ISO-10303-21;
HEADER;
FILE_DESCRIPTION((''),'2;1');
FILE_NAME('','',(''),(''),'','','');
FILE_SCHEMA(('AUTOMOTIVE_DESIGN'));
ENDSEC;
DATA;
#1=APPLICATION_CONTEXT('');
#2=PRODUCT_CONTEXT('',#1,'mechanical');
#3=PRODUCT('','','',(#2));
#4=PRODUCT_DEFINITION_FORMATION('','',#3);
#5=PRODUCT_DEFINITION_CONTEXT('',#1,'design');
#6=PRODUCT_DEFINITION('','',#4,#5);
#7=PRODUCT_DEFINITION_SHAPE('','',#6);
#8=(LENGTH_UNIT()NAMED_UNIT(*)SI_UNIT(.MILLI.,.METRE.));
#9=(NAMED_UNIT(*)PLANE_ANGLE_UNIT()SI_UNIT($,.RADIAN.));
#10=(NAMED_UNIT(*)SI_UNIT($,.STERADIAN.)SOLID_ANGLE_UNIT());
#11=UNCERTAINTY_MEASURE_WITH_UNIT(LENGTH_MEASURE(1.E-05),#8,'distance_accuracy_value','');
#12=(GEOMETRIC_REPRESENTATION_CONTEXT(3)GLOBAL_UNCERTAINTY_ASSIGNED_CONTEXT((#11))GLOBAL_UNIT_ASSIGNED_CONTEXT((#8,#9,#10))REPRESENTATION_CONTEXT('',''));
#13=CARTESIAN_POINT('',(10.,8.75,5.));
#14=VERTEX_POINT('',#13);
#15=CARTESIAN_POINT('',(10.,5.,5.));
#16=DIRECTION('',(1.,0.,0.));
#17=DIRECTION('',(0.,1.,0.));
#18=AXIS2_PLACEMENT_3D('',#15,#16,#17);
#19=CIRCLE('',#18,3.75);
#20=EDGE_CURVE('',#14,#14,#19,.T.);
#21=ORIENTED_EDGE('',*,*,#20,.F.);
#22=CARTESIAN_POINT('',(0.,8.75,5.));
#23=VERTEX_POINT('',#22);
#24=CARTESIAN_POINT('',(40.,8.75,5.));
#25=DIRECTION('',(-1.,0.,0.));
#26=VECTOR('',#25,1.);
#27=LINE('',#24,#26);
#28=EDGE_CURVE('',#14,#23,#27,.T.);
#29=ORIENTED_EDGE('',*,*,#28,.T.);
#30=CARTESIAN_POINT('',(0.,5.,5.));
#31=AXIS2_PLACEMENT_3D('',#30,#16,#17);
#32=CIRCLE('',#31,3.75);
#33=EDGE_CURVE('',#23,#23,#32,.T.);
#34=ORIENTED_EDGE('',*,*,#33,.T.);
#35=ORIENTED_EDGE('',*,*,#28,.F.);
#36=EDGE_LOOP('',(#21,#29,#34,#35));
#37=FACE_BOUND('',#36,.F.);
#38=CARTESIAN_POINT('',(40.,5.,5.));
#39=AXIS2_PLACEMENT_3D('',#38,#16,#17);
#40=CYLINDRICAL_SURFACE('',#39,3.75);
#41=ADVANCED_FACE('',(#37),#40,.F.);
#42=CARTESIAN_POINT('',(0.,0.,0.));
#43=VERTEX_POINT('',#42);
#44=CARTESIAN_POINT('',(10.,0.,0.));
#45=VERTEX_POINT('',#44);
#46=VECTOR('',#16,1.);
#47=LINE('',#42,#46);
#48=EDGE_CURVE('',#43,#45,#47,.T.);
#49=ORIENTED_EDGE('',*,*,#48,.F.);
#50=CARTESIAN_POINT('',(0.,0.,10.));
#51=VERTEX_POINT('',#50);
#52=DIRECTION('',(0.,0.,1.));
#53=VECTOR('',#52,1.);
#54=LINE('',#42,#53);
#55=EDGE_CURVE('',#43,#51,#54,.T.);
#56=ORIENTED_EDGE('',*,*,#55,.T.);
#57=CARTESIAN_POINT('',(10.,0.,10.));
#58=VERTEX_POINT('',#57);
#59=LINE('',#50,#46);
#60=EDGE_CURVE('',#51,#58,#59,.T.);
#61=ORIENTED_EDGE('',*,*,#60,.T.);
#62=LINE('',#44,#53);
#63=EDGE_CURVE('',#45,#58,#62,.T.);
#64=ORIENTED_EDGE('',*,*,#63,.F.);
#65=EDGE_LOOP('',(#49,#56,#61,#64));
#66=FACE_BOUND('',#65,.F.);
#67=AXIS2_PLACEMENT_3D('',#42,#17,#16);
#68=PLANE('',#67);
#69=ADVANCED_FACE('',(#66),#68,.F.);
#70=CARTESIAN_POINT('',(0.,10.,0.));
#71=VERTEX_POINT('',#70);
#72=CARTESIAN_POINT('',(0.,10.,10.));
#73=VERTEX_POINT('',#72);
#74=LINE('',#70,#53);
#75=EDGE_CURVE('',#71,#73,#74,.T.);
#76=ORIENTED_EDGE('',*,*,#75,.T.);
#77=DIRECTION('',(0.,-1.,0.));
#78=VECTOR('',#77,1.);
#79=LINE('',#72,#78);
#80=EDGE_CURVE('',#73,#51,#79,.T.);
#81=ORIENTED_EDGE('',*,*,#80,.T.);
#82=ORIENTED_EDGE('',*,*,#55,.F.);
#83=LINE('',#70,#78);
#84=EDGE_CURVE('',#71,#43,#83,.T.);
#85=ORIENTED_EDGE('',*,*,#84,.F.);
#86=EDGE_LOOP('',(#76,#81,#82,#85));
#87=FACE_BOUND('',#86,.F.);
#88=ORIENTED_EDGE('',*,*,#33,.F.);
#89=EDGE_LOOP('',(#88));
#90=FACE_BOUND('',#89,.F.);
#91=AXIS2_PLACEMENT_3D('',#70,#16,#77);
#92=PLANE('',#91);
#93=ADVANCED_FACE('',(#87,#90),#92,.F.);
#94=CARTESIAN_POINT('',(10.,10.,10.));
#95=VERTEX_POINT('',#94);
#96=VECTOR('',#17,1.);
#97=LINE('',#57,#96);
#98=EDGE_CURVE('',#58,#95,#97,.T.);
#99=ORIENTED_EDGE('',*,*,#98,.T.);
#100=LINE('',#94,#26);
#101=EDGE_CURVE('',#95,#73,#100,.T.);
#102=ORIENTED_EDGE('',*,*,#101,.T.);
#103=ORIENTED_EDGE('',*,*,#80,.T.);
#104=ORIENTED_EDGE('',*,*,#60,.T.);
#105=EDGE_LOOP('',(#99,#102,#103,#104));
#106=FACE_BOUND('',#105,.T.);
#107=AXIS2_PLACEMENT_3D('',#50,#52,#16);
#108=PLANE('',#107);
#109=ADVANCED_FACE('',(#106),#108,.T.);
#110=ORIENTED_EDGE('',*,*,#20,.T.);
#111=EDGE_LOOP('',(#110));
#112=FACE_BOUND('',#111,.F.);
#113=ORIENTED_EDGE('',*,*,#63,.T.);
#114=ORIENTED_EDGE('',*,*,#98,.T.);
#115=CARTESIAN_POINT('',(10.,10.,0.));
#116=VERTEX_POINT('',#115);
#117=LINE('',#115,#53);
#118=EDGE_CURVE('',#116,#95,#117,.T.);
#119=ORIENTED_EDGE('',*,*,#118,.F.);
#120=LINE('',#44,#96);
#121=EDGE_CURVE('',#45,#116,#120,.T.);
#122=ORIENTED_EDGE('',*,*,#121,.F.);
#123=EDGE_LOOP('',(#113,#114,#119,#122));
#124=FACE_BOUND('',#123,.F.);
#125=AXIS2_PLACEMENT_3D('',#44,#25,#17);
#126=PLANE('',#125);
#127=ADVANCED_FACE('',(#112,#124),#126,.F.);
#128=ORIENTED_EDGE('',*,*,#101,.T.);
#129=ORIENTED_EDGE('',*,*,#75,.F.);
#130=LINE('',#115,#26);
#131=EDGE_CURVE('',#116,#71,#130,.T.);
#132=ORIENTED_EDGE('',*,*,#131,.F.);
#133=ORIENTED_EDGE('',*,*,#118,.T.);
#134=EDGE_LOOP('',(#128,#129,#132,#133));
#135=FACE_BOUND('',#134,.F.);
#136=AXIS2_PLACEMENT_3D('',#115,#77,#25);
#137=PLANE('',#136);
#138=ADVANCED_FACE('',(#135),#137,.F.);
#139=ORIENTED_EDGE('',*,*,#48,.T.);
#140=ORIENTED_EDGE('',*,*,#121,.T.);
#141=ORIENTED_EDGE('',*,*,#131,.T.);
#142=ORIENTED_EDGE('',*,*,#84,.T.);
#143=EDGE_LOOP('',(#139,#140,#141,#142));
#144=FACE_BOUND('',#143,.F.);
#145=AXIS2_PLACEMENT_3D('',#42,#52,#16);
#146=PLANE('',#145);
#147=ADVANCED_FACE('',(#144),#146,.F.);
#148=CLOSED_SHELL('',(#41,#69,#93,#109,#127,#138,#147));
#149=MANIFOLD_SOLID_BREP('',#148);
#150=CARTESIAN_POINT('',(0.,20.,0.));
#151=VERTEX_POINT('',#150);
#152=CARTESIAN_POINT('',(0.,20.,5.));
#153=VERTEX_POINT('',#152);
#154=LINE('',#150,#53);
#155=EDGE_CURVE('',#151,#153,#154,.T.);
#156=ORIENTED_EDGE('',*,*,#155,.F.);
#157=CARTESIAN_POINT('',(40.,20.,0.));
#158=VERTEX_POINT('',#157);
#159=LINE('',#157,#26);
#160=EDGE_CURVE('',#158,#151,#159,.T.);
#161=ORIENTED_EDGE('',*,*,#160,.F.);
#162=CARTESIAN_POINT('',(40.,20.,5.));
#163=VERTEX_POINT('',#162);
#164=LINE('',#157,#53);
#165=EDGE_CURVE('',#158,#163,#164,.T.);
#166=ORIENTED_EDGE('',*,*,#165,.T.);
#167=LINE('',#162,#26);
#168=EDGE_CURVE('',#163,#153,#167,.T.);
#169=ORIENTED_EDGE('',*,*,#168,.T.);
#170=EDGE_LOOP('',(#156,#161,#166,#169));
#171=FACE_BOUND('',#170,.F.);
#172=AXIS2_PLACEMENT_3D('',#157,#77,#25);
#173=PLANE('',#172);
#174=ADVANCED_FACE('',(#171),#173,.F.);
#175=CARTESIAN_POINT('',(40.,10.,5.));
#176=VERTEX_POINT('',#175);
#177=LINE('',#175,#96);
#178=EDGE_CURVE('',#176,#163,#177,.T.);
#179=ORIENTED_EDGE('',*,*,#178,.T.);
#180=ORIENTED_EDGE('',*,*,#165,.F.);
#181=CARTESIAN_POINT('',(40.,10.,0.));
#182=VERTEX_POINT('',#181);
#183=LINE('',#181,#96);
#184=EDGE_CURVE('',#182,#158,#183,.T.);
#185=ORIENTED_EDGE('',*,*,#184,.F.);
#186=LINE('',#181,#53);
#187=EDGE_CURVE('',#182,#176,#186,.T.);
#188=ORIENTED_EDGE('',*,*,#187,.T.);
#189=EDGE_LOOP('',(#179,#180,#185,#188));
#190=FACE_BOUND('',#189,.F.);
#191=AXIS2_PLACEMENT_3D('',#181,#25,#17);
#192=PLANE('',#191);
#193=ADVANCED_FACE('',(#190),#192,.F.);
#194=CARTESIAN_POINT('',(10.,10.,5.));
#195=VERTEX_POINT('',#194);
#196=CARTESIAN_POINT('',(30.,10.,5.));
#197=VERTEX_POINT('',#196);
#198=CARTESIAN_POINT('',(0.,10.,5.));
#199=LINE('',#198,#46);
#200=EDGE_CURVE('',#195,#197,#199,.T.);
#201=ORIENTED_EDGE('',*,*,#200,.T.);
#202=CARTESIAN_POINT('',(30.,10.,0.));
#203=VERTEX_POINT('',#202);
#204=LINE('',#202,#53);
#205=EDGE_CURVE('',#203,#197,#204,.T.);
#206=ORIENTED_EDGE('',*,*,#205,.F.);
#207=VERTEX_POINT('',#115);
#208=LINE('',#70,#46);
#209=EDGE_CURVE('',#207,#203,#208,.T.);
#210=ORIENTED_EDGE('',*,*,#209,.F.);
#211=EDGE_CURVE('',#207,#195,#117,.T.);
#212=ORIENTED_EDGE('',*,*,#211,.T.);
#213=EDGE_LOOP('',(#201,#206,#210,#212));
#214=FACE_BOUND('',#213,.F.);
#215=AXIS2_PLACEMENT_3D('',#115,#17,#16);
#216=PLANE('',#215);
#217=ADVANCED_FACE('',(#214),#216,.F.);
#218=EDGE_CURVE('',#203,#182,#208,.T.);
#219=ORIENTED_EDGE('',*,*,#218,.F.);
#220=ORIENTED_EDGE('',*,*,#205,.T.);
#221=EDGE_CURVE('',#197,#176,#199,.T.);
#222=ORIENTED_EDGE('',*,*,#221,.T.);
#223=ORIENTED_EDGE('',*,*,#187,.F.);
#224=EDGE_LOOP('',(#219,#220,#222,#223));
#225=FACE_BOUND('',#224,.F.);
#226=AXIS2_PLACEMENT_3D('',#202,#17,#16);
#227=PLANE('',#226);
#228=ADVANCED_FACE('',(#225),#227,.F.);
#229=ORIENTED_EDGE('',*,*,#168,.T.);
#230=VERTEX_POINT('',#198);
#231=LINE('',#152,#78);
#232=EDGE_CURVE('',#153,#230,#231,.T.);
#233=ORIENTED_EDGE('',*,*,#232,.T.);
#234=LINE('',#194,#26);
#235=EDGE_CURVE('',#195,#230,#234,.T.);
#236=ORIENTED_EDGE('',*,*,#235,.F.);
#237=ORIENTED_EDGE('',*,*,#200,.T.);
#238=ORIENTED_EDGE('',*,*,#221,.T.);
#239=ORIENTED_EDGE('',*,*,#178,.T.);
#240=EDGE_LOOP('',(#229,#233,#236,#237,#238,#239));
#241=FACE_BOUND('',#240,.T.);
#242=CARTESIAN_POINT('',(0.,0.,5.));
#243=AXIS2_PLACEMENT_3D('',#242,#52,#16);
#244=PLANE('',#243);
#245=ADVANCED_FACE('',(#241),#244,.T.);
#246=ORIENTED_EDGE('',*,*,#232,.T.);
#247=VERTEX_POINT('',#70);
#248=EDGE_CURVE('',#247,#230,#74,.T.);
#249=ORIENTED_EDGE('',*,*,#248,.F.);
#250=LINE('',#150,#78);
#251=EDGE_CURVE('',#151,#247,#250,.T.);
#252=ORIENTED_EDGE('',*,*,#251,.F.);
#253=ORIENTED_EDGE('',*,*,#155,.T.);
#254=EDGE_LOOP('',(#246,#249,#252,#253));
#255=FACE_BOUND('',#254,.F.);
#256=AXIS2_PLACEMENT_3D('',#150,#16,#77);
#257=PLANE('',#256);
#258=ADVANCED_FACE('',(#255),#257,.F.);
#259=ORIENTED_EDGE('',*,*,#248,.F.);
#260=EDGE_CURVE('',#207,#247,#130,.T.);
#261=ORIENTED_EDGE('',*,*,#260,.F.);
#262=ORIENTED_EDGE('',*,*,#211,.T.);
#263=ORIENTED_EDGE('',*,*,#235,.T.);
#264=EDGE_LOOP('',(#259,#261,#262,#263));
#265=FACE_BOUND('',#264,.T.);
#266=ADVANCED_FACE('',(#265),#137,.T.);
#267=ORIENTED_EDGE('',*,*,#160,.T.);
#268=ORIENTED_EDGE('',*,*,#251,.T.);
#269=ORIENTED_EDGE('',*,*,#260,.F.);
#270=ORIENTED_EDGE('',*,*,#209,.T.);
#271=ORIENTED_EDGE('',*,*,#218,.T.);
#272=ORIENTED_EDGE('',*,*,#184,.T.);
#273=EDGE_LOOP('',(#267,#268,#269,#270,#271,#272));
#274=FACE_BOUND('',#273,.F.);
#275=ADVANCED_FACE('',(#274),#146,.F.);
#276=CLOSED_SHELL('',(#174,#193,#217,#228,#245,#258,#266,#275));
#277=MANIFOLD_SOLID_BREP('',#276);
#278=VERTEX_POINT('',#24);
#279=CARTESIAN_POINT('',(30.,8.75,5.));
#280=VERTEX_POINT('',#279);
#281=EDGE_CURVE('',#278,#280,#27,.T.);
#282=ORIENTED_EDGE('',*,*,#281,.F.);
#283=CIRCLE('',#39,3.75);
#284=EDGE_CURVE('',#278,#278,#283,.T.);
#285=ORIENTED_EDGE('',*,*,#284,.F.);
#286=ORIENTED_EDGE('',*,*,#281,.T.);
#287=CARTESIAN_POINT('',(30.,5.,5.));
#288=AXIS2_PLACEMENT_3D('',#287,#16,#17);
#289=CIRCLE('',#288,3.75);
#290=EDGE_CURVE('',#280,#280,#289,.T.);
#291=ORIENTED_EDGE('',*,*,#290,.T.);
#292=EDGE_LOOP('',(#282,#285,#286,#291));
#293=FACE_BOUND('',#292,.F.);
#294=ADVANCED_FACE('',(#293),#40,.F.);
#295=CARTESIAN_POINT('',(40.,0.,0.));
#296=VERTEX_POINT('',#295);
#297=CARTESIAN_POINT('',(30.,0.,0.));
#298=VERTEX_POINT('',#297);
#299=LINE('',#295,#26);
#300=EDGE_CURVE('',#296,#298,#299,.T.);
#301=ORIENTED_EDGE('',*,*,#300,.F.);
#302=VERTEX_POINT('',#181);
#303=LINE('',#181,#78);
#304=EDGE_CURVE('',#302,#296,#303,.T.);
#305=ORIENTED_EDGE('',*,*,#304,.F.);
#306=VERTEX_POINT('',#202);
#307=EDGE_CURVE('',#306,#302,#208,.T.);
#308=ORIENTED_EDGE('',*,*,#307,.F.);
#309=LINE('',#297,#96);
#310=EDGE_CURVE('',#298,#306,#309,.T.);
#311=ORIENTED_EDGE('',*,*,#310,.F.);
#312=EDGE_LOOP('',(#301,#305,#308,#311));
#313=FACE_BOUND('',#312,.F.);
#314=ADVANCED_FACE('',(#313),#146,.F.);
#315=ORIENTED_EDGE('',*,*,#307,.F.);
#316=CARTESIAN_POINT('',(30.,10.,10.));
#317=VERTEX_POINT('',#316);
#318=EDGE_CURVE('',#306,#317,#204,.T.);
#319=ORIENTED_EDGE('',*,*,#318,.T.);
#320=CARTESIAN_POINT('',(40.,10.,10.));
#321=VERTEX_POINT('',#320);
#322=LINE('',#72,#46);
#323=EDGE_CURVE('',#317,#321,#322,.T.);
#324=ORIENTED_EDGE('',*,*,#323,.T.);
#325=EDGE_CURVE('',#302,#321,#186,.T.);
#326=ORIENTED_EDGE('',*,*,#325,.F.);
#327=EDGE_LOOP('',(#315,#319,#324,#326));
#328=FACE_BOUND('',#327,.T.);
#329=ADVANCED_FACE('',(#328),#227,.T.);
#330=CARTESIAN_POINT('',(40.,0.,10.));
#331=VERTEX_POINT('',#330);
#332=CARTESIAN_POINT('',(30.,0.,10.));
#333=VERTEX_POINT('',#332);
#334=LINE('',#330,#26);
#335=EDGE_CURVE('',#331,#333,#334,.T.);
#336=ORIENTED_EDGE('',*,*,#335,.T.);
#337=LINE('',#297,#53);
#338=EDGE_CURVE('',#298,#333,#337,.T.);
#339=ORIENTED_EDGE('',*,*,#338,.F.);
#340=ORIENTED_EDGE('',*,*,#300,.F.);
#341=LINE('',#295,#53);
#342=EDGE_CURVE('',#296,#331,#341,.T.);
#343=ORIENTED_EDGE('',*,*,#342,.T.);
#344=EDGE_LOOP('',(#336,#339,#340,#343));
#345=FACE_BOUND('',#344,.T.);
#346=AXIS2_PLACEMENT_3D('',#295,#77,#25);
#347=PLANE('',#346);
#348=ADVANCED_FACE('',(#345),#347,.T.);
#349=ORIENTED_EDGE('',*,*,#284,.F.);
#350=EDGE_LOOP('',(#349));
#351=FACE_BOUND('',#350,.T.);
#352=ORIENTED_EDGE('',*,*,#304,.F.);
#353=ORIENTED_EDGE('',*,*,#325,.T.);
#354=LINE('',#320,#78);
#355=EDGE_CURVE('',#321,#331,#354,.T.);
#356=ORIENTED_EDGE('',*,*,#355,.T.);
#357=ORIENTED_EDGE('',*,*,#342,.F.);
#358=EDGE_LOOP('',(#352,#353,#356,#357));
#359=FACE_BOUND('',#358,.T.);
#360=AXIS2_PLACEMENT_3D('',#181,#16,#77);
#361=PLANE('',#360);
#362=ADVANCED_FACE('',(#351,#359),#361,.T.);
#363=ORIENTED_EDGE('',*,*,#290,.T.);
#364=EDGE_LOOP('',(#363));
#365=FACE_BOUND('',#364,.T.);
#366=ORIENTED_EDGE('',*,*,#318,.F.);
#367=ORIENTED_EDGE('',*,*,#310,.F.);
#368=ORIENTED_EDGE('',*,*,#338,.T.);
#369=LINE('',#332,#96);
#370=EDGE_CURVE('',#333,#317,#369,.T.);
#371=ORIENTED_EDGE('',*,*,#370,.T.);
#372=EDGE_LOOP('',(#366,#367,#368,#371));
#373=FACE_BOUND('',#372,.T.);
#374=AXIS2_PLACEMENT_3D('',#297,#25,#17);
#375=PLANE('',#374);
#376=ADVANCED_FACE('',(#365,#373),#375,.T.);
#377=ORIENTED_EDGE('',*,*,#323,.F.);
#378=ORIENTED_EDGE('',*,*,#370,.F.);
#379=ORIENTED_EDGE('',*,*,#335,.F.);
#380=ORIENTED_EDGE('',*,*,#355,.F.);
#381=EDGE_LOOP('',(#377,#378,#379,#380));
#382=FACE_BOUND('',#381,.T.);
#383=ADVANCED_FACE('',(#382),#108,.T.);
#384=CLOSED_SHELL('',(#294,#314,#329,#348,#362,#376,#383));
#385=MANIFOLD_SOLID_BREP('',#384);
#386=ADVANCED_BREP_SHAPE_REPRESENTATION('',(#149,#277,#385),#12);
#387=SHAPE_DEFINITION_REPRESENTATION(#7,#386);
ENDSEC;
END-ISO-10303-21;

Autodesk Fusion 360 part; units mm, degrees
sketch "Sketch1" plane through (0, 0, 0) normal (0, 0, 1) x (1, 0, 0)
  line L0 (0, 0) -> (10, 0)
  line L1 (10, 0) -> (10, 10)
  line L2 (10, 10) -> (0, 10)
  line L3 (0, 10) -> (0, 0)
  line L4 (0, 10) -> (40, 10)
  line L5 (40, 10) -> (40, 20)
  line L6 (40, 20) -> (0, 20)
  line L7 (0, 20) -> (0, 10)
  line L8 (40, 0) -> (30, 0)
  line L9 (30, 0) -> (30, 10)
  line L10 (30, 10) -> (40, 10)
  line L11 (40, 10) -> (40, 0)
  dimension "d6" = 10
  dimension "d7" = 10
  dimension "d8" = 40
  dimension "d9" = 10
  dimension "d14" = 10
  dimension "d15" = 10
extrude "Extrude3" add sketch "Sketch1" along normal blind 10 contours L4 L8 L9 L10 L11 makes body 1
extrude "Extrude2" add sketch "Sketch1" along normal blind 5 separate body contours L2 L4 L5 L6 L7 L10 makes body 2
extrude "Extrude1" add sketch "Sketch1" along normal blind 10 separate body contours L0 L1 L2 L3 L4 makes body 3
sketch "Sketch2" plane through (40, 0, 0) normal (1, 0, 0) x (0, 1, 0)
  line L0 (0, 0) -> (10, 0)
  line L1 (10, 0) -> (10, 10)
  line L2 (10, 10) -> (0, 10)
  line L3 (0, 10) -> (0, 0)
  circle A0 centre (5, 5) radius 3.75
  dimension "d18" = 7.5
  dimension "d19" = 5
  dimension "d20" = 5
extrude "Extrude4" cut sketch "Sketch2" against normal blind 140 contours A0 bodies 1 3
equation "side = 10 mm"
equation "base_length = 40 mm"
equation "base_width = 10 mm"
equation "base_height = 5 mm"
equation "dowel_pin_hole_radius = ( 3 * side / 4 ) / 2"
equation "d6 = side"
equation "d7 = side"
equation "d8 = base_length"
equation "d9 = base_width"
equation "d10 = side"
equation "d12 = base_height"
equation "d14 = side"
equation "d15 = side"
equation "d16 = side"
equation "d18 = dowel_pin_hole_radius * 2"
equation "d19 = side / 2"
equation "d20 = side / 2"
equation "d21 = -( base_length + extra )"
equation "extra = 100 mm"
